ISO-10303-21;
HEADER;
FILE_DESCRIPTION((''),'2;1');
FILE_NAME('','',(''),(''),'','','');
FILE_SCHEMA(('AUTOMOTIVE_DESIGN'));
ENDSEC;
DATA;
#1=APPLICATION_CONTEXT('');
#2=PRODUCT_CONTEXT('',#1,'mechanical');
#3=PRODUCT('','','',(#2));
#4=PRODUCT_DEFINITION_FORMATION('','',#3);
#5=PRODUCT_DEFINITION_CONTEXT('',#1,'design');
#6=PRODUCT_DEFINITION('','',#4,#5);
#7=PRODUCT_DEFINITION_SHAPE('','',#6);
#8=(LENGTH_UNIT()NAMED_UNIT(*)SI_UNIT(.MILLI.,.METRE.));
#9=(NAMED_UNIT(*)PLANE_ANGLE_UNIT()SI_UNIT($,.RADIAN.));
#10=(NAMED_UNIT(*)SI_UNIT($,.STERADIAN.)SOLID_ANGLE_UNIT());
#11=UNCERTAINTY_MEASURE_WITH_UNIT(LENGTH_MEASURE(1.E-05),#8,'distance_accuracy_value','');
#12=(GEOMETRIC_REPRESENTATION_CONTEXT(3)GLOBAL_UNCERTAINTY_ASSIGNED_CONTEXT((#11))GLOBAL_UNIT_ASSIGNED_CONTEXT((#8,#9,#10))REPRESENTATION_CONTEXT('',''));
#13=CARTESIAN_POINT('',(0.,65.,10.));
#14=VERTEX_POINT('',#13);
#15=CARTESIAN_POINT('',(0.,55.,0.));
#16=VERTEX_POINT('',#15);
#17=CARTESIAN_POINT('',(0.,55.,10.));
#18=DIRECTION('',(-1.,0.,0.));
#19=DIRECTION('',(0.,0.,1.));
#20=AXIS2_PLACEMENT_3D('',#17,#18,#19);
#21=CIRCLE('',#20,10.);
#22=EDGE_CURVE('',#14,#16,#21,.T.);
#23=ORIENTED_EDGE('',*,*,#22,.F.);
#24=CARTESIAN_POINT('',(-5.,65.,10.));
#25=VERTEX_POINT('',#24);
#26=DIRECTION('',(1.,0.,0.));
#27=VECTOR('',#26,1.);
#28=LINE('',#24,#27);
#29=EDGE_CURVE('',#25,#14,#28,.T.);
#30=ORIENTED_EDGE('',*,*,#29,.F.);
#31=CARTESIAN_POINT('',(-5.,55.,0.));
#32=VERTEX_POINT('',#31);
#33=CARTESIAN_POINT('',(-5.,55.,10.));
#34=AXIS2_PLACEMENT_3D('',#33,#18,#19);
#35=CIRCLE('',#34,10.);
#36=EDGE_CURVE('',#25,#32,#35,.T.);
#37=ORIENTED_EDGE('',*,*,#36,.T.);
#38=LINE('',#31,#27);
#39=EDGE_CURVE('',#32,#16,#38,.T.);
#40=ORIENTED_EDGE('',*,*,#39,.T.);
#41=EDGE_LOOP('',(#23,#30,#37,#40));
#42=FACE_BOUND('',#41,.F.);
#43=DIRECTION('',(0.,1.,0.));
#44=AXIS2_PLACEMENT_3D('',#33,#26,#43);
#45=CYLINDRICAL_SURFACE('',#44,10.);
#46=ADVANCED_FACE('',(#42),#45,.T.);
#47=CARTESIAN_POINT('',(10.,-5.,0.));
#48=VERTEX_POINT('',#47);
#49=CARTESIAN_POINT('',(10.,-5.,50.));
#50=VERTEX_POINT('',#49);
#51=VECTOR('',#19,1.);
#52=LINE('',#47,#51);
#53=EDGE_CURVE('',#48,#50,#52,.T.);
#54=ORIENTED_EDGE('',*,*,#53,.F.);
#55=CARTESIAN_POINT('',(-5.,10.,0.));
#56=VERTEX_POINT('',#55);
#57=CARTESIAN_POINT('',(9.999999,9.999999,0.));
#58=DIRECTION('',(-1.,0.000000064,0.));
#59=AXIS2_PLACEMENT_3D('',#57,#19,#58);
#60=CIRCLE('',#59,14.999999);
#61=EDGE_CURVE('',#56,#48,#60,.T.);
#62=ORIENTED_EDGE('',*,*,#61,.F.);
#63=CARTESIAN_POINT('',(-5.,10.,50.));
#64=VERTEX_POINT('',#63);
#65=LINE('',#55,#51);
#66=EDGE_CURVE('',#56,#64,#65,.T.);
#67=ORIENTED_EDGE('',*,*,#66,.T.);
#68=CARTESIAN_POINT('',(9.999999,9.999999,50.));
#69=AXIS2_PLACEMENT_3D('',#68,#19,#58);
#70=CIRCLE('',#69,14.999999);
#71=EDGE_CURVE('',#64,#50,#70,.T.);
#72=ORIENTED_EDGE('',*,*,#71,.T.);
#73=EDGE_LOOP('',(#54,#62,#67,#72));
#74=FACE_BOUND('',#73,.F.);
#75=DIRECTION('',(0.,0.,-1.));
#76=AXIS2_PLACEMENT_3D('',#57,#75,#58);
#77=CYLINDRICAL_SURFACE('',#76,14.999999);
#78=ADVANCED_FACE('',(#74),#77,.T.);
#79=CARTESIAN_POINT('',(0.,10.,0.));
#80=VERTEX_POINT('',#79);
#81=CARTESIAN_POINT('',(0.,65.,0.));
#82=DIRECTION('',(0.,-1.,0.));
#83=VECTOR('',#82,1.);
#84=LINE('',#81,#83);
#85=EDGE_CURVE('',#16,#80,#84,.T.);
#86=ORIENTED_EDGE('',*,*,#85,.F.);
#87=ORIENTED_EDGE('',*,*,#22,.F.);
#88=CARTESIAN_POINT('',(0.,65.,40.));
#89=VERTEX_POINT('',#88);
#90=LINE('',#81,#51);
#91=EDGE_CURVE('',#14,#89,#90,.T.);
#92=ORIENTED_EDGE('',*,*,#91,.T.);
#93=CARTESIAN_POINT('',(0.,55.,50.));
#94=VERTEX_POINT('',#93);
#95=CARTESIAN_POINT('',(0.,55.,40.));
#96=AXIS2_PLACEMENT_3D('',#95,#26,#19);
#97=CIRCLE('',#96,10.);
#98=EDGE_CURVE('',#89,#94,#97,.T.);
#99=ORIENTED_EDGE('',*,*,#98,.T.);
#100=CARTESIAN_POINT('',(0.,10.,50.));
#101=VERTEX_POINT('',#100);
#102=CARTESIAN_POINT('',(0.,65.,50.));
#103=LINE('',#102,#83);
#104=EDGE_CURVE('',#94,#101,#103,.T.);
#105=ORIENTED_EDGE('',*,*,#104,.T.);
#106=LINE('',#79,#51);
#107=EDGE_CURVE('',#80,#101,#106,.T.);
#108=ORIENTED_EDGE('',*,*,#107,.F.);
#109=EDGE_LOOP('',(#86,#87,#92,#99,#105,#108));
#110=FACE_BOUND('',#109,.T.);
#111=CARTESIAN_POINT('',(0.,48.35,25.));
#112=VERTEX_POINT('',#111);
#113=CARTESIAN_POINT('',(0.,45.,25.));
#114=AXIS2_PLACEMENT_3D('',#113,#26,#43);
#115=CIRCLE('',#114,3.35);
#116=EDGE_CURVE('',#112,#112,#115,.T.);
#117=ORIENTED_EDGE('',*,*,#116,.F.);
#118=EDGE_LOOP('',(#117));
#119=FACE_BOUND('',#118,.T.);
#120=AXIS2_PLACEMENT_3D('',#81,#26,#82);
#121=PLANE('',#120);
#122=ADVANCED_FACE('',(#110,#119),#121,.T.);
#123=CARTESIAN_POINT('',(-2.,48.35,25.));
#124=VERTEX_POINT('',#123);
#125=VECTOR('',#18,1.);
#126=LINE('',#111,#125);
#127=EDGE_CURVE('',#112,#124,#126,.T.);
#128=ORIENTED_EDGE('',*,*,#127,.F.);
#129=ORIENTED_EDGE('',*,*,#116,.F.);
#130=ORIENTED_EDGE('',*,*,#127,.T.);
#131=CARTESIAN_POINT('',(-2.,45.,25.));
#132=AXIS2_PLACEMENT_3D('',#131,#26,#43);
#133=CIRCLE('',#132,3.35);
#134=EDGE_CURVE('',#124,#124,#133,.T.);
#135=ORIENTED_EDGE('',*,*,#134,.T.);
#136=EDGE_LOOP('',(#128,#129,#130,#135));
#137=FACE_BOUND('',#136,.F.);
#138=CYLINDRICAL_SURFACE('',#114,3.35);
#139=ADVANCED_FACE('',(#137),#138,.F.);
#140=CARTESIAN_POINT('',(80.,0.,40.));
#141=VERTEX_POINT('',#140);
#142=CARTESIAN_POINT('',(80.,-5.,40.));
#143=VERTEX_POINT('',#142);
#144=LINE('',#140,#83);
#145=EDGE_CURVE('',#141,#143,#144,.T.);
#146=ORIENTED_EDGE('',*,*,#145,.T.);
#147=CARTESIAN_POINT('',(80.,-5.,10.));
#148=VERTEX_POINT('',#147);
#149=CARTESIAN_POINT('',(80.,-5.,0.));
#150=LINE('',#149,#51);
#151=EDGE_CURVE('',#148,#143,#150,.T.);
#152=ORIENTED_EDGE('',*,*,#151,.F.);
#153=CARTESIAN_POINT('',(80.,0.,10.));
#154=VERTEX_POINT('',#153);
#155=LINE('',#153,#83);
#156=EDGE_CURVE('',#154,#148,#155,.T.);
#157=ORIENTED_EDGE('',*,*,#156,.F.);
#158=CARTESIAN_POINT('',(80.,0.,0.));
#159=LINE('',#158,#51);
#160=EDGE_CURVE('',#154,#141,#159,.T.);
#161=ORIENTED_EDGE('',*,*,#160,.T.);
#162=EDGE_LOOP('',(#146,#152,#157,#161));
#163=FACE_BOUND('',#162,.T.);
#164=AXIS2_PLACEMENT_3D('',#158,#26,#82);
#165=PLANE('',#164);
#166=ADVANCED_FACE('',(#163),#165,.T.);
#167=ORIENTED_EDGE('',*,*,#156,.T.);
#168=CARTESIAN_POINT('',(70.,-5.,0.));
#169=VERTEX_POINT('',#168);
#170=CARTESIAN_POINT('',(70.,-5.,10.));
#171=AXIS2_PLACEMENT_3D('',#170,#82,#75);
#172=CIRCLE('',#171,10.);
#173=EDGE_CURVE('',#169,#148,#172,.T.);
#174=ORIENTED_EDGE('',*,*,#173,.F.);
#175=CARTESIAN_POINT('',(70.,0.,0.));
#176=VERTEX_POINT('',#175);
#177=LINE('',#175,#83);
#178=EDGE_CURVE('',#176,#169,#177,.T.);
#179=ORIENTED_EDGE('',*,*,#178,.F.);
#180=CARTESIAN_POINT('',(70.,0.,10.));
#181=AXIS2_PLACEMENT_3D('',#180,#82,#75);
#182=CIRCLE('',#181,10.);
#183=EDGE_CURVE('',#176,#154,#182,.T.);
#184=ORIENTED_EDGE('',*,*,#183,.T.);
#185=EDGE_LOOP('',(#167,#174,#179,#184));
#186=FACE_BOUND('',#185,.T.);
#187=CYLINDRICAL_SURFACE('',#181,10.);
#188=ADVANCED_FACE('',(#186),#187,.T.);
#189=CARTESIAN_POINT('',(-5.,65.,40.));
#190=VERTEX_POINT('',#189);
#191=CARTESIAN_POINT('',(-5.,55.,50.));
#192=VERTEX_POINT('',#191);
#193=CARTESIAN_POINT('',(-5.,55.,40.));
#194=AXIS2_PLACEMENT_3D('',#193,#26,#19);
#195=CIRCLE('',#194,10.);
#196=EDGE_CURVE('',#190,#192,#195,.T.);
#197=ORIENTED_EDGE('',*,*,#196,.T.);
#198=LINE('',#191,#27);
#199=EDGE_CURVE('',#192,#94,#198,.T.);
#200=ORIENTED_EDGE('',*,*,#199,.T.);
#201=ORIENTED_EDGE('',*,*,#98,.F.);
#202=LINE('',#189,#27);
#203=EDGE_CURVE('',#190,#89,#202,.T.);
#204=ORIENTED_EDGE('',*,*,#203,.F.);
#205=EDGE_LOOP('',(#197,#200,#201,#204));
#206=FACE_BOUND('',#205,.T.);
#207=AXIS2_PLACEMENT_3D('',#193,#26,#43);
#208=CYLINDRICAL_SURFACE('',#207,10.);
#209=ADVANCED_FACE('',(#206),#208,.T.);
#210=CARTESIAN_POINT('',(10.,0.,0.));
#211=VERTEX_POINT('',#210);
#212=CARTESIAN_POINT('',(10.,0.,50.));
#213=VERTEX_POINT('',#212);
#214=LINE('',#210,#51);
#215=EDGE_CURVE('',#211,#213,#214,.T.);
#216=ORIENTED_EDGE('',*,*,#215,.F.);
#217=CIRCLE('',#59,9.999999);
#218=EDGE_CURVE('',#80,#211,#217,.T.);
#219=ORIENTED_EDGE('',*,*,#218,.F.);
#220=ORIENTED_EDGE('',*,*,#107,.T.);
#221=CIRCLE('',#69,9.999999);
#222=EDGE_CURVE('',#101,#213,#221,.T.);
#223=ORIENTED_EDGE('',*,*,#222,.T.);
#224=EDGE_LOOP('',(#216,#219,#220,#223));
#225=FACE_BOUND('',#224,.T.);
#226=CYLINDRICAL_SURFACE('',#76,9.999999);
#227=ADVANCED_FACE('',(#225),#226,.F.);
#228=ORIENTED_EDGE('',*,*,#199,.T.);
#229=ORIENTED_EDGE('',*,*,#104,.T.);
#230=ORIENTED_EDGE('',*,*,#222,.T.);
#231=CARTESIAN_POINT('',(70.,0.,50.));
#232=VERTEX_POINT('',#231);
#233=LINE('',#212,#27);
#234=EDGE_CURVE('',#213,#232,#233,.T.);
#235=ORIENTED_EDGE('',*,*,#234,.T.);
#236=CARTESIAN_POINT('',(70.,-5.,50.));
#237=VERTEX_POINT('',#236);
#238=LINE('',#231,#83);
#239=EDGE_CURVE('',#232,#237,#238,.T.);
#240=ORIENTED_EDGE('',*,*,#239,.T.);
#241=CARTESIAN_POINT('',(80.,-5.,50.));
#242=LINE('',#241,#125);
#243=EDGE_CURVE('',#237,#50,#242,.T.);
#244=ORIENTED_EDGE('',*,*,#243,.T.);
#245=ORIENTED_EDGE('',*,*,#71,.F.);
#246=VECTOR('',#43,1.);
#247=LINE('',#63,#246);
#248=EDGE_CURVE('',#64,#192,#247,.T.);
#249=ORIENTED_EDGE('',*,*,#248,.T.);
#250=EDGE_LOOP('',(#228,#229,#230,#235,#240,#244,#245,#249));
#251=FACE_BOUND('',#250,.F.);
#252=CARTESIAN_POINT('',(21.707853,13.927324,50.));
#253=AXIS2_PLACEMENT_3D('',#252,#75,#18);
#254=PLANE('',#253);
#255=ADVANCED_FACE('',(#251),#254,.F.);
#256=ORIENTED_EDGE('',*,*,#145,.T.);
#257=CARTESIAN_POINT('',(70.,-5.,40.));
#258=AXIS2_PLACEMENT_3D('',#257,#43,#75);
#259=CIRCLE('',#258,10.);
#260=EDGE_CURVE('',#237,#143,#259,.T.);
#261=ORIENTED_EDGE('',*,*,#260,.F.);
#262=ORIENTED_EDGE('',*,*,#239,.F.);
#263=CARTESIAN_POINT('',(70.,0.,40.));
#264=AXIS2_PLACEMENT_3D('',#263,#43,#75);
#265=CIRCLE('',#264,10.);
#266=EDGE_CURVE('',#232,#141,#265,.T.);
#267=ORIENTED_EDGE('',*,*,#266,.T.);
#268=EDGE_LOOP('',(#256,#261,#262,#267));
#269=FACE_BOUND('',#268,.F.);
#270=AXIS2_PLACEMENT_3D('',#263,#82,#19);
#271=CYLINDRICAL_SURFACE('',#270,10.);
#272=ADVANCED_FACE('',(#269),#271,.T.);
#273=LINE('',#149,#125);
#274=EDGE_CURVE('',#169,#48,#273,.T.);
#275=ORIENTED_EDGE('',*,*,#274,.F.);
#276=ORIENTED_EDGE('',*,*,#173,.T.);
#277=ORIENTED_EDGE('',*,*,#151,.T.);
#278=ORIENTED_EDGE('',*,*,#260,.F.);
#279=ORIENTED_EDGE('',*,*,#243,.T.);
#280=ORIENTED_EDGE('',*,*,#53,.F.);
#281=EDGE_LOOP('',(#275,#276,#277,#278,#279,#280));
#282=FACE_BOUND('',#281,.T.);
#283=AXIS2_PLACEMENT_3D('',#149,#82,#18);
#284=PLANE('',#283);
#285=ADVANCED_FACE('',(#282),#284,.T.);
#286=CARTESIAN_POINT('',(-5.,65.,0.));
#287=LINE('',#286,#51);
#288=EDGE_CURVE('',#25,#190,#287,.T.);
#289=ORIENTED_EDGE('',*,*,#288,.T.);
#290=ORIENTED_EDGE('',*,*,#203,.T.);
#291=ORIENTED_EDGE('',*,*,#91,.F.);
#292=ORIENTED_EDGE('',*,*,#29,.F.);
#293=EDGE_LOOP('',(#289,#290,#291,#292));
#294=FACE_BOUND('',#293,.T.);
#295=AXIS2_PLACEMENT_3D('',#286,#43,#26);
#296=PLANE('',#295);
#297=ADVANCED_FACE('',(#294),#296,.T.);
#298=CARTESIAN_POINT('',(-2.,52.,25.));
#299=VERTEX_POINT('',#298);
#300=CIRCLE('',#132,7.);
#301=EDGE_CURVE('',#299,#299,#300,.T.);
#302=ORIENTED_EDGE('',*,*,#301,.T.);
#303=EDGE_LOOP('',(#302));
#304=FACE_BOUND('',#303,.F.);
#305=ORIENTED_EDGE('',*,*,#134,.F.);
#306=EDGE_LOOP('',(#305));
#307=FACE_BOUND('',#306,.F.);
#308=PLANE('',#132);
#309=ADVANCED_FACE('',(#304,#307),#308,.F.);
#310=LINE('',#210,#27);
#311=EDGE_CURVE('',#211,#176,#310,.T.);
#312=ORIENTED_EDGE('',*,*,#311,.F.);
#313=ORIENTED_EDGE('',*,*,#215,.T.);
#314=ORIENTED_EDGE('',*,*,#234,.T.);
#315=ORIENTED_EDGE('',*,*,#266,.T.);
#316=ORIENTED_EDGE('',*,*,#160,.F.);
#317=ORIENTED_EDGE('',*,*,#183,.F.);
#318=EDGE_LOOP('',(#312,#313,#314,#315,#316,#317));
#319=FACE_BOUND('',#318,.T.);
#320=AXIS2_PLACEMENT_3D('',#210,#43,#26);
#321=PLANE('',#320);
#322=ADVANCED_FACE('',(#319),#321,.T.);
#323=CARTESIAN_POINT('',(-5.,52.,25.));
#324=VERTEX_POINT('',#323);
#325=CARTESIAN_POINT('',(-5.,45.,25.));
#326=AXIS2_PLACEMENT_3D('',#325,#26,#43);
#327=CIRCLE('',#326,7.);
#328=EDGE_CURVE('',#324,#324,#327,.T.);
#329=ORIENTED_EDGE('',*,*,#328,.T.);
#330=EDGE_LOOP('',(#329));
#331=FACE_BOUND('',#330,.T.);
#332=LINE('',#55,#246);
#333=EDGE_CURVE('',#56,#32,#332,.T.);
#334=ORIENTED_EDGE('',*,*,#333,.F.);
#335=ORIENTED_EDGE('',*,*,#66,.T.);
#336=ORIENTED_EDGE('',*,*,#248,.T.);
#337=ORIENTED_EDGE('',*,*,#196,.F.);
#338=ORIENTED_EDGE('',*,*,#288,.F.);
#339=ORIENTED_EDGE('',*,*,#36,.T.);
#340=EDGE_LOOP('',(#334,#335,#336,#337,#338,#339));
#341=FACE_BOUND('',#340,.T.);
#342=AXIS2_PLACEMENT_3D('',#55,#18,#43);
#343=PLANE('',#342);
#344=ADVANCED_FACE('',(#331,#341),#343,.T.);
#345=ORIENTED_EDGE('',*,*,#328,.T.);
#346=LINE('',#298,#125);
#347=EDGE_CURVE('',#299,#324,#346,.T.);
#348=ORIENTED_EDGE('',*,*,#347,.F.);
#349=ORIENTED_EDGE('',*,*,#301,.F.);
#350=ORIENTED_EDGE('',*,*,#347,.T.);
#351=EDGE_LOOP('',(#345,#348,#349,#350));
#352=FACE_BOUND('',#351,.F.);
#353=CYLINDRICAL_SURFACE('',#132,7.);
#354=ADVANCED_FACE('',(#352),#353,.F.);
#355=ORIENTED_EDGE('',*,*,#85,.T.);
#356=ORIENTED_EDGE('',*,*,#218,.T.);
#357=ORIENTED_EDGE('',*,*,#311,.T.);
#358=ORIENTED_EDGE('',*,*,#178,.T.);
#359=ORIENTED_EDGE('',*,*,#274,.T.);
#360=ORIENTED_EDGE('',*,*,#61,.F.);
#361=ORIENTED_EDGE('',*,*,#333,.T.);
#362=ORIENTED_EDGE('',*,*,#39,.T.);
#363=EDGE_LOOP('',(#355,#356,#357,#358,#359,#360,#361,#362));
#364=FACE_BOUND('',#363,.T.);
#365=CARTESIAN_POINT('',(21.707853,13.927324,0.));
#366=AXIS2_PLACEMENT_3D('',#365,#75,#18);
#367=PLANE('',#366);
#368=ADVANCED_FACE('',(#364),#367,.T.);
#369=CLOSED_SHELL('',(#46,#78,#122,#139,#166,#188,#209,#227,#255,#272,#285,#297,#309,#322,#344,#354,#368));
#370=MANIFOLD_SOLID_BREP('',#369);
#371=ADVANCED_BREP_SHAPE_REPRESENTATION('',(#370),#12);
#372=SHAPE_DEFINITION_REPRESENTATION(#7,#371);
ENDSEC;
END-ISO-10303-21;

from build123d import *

# Parameters (mm, degrees)
PAD_DEPTH       = 50
SKETCH001_R     = 3.35
POCKET_DEPTH    = 5.001
FILLET_R        = 10
SKETCH002_R     = 7
POCKET001_DEPTH = 3.001


with BuildPart() as part:
    # Sketch → Pad (new body)
    with BuildSketch(Plane.XY):
        with BuildLine():
            Line((0, 65), (0, 10))
            ThreePointArc((0, 10), (2.928932, 2.928932), (10, 0))
            Line((10, 0), (80, 0))
            Line((80, 0), (80, -5))
            Line((80, -5), (10, -5))
            ThreePointArc((-5, 10), (-0.606602, -0.606602), (10, -5))
            Line((-5, 10), (-5, 65))
            Line((-5, 65), (0, 65))
        make_face()
    extrude(amount=PAD_DEPTH)

    # Sketch001 → Pocket (cut, through all)
    with BuildSketch(Plane.YZ):
        with Locations((45, 25)):
            Circle(SKETCH001_R)
    extrude(amount=-POCKET_DEPTH, mode=Mode.SUBTRACT)

    # Fillet
    fillet_edges = [part.edges().sort_by_distance(p)[0] for p in [
        (-2.5, 65, 0),
        (-2.5, 65, 50),
        (80, -2.5, 50),
        (80, -2.5, 0),
    ]]
    fillet(fillet_edges, radius=FILLET_R)

    # Sketch002 → Pocket001 (cut, through all)
    with BuildSketch(Plane.YZ.offset(-2)):
        with Locations((45, 25)):
            Circle(SKETCH002_R)
    extrude(amount=-POCKET001_DEPTH, mode=Mode.SUBTRACT)


solid = part.part
